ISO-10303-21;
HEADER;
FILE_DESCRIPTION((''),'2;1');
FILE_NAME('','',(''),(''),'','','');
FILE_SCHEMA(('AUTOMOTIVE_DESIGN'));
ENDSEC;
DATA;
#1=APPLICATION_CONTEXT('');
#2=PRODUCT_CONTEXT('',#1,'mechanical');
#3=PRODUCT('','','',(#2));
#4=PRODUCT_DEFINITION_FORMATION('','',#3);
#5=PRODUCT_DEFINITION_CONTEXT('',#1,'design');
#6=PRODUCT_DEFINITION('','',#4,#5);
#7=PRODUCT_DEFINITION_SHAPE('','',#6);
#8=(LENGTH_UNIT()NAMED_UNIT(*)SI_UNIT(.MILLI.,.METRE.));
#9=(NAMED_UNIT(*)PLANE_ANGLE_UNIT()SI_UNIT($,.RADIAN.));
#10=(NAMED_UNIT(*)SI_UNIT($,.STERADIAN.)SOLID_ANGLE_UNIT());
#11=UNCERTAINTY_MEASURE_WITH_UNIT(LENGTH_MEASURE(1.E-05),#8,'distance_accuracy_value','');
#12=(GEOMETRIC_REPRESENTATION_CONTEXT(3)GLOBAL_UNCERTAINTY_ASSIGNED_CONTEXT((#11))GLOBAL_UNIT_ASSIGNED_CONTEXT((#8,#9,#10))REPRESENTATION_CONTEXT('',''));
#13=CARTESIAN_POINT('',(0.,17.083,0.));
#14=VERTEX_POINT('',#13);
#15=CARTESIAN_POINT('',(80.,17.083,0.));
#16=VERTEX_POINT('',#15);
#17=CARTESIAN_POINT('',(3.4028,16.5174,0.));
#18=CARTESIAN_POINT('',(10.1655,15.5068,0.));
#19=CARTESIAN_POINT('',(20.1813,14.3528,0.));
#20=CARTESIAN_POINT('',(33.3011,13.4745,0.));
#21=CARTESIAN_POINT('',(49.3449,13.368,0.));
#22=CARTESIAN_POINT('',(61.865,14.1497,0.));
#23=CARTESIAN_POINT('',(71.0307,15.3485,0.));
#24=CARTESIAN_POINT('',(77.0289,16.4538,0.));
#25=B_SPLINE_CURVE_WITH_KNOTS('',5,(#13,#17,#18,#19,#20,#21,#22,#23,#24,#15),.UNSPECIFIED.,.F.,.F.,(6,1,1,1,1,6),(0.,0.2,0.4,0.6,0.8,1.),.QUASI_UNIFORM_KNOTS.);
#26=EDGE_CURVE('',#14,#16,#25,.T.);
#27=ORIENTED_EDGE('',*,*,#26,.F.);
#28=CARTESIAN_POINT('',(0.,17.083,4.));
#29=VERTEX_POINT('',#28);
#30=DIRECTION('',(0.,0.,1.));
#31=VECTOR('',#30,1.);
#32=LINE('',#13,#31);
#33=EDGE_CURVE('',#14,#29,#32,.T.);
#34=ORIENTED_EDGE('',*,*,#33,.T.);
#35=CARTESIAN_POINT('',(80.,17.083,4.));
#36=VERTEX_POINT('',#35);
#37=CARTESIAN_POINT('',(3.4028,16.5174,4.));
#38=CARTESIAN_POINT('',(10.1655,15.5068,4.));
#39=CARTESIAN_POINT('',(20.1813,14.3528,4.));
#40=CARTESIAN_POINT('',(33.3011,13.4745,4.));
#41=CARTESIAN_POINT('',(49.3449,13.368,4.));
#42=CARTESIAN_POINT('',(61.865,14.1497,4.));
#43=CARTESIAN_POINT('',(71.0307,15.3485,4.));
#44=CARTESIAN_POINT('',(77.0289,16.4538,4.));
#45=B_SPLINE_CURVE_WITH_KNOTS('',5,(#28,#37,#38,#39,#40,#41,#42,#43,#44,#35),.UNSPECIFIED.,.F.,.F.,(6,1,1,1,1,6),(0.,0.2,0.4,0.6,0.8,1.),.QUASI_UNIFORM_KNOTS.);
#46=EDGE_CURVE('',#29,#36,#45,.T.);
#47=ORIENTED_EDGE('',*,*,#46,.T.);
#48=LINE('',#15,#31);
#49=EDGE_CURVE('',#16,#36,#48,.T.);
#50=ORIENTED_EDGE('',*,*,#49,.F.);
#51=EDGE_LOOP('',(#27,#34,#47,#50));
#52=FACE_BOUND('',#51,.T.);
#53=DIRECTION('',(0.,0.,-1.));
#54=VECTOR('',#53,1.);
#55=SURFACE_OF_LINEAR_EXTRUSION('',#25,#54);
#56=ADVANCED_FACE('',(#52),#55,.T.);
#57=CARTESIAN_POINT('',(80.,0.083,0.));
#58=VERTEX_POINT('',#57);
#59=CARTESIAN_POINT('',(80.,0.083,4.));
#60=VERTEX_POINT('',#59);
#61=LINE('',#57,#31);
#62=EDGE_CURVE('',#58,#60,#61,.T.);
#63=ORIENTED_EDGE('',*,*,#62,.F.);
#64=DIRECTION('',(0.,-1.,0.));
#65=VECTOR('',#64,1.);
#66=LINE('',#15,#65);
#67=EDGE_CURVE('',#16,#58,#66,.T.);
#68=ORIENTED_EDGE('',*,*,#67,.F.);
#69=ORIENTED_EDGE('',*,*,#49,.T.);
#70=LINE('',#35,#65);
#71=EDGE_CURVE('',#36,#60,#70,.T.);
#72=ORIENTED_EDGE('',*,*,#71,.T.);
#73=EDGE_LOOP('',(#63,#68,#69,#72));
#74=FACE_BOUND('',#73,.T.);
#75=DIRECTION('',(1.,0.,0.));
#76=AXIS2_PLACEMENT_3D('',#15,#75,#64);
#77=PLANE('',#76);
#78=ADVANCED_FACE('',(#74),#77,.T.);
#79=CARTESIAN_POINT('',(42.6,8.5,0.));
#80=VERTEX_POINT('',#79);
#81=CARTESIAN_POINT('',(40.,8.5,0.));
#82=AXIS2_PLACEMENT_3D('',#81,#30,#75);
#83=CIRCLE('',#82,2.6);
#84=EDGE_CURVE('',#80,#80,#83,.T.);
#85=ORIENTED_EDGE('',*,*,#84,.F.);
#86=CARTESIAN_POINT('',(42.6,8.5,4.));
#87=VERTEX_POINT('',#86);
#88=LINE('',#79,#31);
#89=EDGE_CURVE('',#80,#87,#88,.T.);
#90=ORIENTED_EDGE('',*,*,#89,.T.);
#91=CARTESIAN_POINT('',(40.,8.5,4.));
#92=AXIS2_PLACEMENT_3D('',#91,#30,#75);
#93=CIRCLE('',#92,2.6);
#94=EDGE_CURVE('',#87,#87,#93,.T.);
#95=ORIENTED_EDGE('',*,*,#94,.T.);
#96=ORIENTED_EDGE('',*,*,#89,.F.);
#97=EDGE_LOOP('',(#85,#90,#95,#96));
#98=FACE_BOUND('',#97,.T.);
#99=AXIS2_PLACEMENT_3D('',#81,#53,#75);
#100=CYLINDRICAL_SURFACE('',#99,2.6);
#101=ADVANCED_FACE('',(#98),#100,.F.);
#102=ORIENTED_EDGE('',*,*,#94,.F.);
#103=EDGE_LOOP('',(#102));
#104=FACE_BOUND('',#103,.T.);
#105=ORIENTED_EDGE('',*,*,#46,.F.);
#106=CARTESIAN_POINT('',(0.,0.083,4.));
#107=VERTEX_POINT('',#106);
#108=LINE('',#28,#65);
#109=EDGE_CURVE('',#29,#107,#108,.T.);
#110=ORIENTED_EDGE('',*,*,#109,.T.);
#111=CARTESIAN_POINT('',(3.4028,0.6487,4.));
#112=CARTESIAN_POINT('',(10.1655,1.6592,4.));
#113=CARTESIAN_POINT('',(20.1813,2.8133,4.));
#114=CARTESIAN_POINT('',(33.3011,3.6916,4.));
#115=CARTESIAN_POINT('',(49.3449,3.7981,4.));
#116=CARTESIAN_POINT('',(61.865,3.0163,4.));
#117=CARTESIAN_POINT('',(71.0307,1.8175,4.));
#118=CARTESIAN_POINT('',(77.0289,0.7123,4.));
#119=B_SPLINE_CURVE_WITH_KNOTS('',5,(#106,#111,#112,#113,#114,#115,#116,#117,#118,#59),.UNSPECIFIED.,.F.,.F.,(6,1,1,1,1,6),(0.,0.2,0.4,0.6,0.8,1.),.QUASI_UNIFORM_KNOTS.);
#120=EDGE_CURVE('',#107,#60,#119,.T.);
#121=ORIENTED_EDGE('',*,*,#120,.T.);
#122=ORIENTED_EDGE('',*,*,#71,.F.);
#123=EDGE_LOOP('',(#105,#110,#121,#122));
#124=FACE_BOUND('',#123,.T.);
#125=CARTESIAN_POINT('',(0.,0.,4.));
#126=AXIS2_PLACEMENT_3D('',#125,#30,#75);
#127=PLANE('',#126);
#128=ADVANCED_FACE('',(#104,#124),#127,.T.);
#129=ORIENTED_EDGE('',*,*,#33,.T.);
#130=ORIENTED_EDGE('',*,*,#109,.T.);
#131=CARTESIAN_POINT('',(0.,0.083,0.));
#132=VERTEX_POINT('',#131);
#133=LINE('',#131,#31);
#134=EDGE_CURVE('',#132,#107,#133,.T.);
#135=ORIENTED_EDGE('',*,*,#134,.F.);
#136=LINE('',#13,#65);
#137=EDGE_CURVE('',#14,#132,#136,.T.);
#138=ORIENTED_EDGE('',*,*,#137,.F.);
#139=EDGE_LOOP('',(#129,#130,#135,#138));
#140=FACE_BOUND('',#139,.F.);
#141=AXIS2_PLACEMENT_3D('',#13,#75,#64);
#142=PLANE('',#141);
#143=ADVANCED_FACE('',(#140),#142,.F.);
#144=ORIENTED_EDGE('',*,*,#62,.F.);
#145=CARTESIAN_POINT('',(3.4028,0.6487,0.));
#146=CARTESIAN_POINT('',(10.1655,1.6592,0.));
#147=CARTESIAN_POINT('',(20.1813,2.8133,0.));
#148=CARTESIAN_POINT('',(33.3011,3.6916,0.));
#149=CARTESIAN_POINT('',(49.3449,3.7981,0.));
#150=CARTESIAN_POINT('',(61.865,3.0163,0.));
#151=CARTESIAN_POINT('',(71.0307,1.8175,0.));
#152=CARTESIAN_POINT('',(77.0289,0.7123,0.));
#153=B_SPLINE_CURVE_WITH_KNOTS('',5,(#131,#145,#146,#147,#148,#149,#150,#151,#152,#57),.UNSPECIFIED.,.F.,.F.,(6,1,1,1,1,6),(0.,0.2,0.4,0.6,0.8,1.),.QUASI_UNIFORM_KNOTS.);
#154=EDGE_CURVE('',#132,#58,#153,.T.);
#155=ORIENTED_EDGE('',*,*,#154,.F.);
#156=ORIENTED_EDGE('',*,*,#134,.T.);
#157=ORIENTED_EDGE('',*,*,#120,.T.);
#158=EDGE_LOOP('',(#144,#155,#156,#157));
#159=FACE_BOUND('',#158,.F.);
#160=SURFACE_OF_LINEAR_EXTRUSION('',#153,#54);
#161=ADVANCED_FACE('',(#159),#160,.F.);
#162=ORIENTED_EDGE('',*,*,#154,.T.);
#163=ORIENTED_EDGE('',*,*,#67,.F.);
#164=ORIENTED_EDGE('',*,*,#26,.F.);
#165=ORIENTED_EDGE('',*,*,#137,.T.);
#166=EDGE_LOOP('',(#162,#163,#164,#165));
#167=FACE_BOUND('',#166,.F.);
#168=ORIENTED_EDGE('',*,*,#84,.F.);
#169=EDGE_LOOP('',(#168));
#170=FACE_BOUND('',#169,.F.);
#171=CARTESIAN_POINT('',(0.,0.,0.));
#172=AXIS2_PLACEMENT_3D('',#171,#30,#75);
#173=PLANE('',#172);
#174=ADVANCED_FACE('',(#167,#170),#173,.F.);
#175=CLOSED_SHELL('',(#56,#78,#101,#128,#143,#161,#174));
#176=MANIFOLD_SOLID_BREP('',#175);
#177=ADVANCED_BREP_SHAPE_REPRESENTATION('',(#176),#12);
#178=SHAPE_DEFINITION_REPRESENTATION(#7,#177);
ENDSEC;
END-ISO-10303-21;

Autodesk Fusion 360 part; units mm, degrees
sketch "Sketch1" plane through (0, 0, 0) normal (0, 0, 1) x (1, 0, 0)
  spline S0 degree 5 poles (0, 0.083) (3.4028, 0.6487) (10.1655, 1.6592) (20.1813, 2.8133) (33.3011, 3.6916) (49.3449, 3.7981) (61.865, 3.0163) (71.0307, 1.8175) (77.0289, 0.7123) (80, 0.083) knots 0 0 0 0 0 0 0.2 0.4 0.6 0.8 1 1 1 1 1 1
  line L0 (72.4946, 1.6726) -> (87.5054, -1.5065)
  line L1 (-8.6308, -1.3517) -> (8.6308, 1.5177)
  spline S1 degree 5 poles (0, 17.083) (3.4028, 16.5174) (10.1655, 15.5068) (20.1813, 14.3528) (33.3011, 13.4745) (49.3449, 13.368) (61.865, 14.1497) (71.0307, 15.3485) (77.0289, 16.4538) (80, 17.083) knots 0 0 0 0 0 0 0.2 0.4 0.6 0.8 1 1 1 1 1 1
  line L2 (-8.6308, 18.5177) -> (8.6308, 15.6483)
  line L3 (72.4946, 15.4935) -> (87.5054, 18.6726)
  line L4 (80, 17.083) -> (80, 0.083)
  line L5 (0, 17.083) -> (0, 0.083)
  circle A0 centre (40, 8.5) radius 2.6
  dimension "d13" = 5.2
  dimension "d14" = 40
  dimension "d15" = 40
  dimension "d18" = 17
  dimension "d21" = 17
  dimension "d22" = 8.5
extrude "Extrude4" add sketch "Sketch1" along normal blind 4
extrude "Extrude2" [suppressed]
extrude "Extrude3" [suppressed]
equation "d22 = ( 17 / 2 ) * 1 mm"
